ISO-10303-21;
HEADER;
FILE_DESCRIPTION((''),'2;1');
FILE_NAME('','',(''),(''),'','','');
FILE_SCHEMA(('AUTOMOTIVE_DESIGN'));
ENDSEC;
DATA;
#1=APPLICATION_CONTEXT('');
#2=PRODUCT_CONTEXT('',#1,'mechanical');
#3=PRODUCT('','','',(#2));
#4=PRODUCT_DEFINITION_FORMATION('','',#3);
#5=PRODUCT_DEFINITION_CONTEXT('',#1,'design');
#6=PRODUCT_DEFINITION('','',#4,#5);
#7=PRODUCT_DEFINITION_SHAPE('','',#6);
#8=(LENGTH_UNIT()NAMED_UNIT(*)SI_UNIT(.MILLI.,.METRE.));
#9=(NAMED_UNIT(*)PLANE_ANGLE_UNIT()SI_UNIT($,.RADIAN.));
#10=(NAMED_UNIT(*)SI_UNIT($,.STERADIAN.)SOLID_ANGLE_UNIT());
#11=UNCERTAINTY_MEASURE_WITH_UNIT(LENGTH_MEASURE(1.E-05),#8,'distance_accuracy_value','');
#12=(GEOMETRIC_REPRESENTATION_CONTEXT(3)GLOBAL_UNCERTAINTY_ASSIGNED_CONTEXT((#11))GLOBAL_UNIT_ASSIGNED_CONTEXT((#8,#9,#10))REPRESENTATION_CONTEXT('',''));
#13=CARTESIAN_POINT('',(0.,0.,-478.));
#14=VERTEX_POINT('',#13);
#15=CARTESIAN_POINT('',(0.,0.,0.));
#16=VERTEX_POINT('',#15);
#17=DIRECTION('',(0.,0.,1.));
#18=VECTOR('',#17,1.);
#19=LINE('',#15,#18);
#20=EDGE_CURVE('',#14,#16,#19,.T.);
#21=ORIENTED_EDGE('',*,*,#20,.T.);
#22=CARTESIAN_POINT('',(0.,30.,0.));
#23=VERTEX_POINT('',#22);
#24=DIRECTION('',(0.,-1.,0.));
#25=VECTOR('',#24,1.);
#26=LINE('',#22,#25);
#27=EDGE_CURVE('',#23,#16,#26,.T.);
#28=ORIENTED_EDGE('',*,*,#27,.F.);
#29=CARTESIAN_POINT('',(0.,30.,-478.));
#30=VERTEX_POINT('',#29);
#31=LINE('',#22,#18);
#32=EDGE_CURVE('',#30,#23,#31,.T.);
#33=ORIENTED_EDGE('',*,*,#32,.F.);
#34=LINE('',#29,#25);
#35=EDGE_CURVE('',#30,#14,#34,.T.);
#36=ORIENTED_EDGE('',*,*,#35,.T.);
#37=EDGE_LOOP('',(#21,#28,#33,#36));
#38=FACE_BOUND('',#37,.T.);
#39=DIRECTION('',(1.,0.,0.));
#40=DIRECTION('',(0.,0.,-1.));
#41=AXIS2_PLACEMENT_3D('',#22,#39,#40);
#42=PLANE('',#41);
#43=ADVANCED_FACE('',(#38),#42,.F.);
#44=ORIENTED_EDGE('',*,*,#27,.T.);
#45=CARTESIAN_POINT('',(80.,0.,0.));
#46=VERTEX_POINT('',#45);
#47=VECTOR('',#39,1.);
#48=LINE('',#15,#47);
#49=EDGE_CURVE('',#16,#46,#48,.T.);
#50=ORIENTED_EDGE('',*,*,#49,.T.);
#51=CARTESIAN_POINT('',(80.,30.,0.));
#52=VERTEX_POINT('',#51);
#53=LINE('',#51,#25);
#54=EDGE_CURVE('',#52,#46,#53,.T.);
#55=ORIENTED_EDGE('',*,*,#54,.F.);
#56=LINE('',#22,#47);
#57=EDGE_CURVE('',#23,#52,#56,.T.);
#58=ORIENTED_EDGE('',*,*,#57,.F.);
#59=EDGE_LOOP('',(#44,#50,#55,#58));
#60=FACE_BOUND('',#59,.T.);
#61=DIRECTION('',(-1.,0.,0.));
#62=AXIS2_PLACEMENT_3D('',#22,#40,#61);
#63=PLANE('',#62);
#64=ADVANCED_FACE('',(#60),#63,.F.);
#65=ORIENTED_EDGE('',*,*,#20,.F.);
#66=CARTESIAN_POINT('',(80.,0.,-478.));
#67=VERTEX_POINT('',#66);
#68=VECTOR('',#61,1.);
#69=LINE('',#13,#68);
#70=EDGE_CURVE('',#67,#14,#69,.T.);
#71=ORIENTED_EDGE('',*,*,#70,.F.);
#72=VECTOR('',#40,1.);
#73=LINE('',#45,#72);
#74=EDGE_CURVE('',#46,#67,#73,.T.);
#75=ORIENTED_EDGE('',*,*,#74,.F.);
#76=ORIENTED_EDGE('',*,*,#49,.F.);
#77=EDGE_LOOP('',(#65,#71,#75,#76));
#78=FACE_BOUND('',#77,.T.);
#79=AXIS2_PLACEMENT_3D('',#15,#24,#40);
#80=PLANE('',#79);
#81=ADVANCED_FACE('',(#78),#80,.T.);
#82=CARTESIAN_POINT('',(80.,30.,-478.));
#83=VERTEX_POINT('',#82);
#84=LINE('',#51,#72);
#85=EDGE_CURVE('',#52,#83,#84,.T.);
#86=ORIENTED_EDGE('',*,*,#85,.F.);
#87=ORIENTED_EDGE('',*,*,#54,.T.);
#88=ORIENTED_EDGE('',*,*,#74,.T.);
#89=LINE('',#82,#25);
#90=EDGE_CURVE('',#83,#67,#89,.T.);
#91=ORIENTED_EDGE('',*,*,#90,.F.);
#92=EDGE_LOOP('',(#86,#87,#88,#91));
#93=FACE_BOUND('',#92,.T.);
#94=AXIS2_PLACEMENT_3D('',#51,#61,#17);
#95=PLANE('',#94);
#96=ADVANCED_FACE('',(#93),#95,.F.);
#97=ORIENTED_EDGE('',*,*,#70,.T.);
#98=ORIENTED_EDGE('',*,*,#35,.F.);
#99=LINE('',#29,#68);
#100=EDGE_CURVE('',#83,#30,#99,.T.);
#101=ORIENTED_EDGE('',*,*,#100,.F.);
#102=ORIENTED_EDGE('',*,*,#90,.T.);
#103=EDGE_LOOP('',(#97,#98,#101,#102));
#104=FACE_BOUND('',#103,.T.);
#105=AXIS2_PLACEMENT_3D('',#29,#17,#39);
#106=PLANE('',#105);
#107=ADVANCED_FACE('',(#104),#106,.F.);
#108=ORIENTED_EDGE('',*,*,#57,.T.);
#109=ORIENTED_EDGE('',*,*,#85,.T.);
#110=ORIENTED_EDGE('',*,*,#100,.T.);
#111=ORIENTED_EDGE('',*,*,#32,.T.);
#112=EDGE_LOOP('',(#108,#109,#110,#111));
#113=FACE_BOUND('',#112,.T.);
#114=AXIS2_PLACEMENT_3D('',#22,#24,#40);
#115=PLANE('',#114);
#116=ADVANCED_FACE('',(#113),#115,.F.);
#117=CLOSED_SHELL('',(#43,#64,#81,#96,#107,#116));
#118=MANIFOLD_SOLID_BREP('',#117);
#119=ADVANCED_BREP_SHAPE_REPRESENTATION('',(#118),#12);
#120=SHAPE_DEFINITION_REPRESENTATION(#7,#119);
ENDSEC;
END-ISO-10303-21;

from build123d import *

# Parameters (mm, degrees)
SKETCH_1_W      = 80
SKETCH_1_H      = 478
EXTRUDE_1_DEPTH = 30


with BuildPart() as part:
    # Эскиз1 → Бобышка-Вытянуть1 (new body)
    with BuildSketch(Plane(origin=(0, 0, 0), x_dir=(1, 0, 0), z_dir=(0, 1, 0))):
        with Locations((40, 239)):
            Rectangle(SKETCH_1_W, SKETCH_1_H)
    extrude(amount=EXTRUDE_1_DEPTH)


solid = part.part
